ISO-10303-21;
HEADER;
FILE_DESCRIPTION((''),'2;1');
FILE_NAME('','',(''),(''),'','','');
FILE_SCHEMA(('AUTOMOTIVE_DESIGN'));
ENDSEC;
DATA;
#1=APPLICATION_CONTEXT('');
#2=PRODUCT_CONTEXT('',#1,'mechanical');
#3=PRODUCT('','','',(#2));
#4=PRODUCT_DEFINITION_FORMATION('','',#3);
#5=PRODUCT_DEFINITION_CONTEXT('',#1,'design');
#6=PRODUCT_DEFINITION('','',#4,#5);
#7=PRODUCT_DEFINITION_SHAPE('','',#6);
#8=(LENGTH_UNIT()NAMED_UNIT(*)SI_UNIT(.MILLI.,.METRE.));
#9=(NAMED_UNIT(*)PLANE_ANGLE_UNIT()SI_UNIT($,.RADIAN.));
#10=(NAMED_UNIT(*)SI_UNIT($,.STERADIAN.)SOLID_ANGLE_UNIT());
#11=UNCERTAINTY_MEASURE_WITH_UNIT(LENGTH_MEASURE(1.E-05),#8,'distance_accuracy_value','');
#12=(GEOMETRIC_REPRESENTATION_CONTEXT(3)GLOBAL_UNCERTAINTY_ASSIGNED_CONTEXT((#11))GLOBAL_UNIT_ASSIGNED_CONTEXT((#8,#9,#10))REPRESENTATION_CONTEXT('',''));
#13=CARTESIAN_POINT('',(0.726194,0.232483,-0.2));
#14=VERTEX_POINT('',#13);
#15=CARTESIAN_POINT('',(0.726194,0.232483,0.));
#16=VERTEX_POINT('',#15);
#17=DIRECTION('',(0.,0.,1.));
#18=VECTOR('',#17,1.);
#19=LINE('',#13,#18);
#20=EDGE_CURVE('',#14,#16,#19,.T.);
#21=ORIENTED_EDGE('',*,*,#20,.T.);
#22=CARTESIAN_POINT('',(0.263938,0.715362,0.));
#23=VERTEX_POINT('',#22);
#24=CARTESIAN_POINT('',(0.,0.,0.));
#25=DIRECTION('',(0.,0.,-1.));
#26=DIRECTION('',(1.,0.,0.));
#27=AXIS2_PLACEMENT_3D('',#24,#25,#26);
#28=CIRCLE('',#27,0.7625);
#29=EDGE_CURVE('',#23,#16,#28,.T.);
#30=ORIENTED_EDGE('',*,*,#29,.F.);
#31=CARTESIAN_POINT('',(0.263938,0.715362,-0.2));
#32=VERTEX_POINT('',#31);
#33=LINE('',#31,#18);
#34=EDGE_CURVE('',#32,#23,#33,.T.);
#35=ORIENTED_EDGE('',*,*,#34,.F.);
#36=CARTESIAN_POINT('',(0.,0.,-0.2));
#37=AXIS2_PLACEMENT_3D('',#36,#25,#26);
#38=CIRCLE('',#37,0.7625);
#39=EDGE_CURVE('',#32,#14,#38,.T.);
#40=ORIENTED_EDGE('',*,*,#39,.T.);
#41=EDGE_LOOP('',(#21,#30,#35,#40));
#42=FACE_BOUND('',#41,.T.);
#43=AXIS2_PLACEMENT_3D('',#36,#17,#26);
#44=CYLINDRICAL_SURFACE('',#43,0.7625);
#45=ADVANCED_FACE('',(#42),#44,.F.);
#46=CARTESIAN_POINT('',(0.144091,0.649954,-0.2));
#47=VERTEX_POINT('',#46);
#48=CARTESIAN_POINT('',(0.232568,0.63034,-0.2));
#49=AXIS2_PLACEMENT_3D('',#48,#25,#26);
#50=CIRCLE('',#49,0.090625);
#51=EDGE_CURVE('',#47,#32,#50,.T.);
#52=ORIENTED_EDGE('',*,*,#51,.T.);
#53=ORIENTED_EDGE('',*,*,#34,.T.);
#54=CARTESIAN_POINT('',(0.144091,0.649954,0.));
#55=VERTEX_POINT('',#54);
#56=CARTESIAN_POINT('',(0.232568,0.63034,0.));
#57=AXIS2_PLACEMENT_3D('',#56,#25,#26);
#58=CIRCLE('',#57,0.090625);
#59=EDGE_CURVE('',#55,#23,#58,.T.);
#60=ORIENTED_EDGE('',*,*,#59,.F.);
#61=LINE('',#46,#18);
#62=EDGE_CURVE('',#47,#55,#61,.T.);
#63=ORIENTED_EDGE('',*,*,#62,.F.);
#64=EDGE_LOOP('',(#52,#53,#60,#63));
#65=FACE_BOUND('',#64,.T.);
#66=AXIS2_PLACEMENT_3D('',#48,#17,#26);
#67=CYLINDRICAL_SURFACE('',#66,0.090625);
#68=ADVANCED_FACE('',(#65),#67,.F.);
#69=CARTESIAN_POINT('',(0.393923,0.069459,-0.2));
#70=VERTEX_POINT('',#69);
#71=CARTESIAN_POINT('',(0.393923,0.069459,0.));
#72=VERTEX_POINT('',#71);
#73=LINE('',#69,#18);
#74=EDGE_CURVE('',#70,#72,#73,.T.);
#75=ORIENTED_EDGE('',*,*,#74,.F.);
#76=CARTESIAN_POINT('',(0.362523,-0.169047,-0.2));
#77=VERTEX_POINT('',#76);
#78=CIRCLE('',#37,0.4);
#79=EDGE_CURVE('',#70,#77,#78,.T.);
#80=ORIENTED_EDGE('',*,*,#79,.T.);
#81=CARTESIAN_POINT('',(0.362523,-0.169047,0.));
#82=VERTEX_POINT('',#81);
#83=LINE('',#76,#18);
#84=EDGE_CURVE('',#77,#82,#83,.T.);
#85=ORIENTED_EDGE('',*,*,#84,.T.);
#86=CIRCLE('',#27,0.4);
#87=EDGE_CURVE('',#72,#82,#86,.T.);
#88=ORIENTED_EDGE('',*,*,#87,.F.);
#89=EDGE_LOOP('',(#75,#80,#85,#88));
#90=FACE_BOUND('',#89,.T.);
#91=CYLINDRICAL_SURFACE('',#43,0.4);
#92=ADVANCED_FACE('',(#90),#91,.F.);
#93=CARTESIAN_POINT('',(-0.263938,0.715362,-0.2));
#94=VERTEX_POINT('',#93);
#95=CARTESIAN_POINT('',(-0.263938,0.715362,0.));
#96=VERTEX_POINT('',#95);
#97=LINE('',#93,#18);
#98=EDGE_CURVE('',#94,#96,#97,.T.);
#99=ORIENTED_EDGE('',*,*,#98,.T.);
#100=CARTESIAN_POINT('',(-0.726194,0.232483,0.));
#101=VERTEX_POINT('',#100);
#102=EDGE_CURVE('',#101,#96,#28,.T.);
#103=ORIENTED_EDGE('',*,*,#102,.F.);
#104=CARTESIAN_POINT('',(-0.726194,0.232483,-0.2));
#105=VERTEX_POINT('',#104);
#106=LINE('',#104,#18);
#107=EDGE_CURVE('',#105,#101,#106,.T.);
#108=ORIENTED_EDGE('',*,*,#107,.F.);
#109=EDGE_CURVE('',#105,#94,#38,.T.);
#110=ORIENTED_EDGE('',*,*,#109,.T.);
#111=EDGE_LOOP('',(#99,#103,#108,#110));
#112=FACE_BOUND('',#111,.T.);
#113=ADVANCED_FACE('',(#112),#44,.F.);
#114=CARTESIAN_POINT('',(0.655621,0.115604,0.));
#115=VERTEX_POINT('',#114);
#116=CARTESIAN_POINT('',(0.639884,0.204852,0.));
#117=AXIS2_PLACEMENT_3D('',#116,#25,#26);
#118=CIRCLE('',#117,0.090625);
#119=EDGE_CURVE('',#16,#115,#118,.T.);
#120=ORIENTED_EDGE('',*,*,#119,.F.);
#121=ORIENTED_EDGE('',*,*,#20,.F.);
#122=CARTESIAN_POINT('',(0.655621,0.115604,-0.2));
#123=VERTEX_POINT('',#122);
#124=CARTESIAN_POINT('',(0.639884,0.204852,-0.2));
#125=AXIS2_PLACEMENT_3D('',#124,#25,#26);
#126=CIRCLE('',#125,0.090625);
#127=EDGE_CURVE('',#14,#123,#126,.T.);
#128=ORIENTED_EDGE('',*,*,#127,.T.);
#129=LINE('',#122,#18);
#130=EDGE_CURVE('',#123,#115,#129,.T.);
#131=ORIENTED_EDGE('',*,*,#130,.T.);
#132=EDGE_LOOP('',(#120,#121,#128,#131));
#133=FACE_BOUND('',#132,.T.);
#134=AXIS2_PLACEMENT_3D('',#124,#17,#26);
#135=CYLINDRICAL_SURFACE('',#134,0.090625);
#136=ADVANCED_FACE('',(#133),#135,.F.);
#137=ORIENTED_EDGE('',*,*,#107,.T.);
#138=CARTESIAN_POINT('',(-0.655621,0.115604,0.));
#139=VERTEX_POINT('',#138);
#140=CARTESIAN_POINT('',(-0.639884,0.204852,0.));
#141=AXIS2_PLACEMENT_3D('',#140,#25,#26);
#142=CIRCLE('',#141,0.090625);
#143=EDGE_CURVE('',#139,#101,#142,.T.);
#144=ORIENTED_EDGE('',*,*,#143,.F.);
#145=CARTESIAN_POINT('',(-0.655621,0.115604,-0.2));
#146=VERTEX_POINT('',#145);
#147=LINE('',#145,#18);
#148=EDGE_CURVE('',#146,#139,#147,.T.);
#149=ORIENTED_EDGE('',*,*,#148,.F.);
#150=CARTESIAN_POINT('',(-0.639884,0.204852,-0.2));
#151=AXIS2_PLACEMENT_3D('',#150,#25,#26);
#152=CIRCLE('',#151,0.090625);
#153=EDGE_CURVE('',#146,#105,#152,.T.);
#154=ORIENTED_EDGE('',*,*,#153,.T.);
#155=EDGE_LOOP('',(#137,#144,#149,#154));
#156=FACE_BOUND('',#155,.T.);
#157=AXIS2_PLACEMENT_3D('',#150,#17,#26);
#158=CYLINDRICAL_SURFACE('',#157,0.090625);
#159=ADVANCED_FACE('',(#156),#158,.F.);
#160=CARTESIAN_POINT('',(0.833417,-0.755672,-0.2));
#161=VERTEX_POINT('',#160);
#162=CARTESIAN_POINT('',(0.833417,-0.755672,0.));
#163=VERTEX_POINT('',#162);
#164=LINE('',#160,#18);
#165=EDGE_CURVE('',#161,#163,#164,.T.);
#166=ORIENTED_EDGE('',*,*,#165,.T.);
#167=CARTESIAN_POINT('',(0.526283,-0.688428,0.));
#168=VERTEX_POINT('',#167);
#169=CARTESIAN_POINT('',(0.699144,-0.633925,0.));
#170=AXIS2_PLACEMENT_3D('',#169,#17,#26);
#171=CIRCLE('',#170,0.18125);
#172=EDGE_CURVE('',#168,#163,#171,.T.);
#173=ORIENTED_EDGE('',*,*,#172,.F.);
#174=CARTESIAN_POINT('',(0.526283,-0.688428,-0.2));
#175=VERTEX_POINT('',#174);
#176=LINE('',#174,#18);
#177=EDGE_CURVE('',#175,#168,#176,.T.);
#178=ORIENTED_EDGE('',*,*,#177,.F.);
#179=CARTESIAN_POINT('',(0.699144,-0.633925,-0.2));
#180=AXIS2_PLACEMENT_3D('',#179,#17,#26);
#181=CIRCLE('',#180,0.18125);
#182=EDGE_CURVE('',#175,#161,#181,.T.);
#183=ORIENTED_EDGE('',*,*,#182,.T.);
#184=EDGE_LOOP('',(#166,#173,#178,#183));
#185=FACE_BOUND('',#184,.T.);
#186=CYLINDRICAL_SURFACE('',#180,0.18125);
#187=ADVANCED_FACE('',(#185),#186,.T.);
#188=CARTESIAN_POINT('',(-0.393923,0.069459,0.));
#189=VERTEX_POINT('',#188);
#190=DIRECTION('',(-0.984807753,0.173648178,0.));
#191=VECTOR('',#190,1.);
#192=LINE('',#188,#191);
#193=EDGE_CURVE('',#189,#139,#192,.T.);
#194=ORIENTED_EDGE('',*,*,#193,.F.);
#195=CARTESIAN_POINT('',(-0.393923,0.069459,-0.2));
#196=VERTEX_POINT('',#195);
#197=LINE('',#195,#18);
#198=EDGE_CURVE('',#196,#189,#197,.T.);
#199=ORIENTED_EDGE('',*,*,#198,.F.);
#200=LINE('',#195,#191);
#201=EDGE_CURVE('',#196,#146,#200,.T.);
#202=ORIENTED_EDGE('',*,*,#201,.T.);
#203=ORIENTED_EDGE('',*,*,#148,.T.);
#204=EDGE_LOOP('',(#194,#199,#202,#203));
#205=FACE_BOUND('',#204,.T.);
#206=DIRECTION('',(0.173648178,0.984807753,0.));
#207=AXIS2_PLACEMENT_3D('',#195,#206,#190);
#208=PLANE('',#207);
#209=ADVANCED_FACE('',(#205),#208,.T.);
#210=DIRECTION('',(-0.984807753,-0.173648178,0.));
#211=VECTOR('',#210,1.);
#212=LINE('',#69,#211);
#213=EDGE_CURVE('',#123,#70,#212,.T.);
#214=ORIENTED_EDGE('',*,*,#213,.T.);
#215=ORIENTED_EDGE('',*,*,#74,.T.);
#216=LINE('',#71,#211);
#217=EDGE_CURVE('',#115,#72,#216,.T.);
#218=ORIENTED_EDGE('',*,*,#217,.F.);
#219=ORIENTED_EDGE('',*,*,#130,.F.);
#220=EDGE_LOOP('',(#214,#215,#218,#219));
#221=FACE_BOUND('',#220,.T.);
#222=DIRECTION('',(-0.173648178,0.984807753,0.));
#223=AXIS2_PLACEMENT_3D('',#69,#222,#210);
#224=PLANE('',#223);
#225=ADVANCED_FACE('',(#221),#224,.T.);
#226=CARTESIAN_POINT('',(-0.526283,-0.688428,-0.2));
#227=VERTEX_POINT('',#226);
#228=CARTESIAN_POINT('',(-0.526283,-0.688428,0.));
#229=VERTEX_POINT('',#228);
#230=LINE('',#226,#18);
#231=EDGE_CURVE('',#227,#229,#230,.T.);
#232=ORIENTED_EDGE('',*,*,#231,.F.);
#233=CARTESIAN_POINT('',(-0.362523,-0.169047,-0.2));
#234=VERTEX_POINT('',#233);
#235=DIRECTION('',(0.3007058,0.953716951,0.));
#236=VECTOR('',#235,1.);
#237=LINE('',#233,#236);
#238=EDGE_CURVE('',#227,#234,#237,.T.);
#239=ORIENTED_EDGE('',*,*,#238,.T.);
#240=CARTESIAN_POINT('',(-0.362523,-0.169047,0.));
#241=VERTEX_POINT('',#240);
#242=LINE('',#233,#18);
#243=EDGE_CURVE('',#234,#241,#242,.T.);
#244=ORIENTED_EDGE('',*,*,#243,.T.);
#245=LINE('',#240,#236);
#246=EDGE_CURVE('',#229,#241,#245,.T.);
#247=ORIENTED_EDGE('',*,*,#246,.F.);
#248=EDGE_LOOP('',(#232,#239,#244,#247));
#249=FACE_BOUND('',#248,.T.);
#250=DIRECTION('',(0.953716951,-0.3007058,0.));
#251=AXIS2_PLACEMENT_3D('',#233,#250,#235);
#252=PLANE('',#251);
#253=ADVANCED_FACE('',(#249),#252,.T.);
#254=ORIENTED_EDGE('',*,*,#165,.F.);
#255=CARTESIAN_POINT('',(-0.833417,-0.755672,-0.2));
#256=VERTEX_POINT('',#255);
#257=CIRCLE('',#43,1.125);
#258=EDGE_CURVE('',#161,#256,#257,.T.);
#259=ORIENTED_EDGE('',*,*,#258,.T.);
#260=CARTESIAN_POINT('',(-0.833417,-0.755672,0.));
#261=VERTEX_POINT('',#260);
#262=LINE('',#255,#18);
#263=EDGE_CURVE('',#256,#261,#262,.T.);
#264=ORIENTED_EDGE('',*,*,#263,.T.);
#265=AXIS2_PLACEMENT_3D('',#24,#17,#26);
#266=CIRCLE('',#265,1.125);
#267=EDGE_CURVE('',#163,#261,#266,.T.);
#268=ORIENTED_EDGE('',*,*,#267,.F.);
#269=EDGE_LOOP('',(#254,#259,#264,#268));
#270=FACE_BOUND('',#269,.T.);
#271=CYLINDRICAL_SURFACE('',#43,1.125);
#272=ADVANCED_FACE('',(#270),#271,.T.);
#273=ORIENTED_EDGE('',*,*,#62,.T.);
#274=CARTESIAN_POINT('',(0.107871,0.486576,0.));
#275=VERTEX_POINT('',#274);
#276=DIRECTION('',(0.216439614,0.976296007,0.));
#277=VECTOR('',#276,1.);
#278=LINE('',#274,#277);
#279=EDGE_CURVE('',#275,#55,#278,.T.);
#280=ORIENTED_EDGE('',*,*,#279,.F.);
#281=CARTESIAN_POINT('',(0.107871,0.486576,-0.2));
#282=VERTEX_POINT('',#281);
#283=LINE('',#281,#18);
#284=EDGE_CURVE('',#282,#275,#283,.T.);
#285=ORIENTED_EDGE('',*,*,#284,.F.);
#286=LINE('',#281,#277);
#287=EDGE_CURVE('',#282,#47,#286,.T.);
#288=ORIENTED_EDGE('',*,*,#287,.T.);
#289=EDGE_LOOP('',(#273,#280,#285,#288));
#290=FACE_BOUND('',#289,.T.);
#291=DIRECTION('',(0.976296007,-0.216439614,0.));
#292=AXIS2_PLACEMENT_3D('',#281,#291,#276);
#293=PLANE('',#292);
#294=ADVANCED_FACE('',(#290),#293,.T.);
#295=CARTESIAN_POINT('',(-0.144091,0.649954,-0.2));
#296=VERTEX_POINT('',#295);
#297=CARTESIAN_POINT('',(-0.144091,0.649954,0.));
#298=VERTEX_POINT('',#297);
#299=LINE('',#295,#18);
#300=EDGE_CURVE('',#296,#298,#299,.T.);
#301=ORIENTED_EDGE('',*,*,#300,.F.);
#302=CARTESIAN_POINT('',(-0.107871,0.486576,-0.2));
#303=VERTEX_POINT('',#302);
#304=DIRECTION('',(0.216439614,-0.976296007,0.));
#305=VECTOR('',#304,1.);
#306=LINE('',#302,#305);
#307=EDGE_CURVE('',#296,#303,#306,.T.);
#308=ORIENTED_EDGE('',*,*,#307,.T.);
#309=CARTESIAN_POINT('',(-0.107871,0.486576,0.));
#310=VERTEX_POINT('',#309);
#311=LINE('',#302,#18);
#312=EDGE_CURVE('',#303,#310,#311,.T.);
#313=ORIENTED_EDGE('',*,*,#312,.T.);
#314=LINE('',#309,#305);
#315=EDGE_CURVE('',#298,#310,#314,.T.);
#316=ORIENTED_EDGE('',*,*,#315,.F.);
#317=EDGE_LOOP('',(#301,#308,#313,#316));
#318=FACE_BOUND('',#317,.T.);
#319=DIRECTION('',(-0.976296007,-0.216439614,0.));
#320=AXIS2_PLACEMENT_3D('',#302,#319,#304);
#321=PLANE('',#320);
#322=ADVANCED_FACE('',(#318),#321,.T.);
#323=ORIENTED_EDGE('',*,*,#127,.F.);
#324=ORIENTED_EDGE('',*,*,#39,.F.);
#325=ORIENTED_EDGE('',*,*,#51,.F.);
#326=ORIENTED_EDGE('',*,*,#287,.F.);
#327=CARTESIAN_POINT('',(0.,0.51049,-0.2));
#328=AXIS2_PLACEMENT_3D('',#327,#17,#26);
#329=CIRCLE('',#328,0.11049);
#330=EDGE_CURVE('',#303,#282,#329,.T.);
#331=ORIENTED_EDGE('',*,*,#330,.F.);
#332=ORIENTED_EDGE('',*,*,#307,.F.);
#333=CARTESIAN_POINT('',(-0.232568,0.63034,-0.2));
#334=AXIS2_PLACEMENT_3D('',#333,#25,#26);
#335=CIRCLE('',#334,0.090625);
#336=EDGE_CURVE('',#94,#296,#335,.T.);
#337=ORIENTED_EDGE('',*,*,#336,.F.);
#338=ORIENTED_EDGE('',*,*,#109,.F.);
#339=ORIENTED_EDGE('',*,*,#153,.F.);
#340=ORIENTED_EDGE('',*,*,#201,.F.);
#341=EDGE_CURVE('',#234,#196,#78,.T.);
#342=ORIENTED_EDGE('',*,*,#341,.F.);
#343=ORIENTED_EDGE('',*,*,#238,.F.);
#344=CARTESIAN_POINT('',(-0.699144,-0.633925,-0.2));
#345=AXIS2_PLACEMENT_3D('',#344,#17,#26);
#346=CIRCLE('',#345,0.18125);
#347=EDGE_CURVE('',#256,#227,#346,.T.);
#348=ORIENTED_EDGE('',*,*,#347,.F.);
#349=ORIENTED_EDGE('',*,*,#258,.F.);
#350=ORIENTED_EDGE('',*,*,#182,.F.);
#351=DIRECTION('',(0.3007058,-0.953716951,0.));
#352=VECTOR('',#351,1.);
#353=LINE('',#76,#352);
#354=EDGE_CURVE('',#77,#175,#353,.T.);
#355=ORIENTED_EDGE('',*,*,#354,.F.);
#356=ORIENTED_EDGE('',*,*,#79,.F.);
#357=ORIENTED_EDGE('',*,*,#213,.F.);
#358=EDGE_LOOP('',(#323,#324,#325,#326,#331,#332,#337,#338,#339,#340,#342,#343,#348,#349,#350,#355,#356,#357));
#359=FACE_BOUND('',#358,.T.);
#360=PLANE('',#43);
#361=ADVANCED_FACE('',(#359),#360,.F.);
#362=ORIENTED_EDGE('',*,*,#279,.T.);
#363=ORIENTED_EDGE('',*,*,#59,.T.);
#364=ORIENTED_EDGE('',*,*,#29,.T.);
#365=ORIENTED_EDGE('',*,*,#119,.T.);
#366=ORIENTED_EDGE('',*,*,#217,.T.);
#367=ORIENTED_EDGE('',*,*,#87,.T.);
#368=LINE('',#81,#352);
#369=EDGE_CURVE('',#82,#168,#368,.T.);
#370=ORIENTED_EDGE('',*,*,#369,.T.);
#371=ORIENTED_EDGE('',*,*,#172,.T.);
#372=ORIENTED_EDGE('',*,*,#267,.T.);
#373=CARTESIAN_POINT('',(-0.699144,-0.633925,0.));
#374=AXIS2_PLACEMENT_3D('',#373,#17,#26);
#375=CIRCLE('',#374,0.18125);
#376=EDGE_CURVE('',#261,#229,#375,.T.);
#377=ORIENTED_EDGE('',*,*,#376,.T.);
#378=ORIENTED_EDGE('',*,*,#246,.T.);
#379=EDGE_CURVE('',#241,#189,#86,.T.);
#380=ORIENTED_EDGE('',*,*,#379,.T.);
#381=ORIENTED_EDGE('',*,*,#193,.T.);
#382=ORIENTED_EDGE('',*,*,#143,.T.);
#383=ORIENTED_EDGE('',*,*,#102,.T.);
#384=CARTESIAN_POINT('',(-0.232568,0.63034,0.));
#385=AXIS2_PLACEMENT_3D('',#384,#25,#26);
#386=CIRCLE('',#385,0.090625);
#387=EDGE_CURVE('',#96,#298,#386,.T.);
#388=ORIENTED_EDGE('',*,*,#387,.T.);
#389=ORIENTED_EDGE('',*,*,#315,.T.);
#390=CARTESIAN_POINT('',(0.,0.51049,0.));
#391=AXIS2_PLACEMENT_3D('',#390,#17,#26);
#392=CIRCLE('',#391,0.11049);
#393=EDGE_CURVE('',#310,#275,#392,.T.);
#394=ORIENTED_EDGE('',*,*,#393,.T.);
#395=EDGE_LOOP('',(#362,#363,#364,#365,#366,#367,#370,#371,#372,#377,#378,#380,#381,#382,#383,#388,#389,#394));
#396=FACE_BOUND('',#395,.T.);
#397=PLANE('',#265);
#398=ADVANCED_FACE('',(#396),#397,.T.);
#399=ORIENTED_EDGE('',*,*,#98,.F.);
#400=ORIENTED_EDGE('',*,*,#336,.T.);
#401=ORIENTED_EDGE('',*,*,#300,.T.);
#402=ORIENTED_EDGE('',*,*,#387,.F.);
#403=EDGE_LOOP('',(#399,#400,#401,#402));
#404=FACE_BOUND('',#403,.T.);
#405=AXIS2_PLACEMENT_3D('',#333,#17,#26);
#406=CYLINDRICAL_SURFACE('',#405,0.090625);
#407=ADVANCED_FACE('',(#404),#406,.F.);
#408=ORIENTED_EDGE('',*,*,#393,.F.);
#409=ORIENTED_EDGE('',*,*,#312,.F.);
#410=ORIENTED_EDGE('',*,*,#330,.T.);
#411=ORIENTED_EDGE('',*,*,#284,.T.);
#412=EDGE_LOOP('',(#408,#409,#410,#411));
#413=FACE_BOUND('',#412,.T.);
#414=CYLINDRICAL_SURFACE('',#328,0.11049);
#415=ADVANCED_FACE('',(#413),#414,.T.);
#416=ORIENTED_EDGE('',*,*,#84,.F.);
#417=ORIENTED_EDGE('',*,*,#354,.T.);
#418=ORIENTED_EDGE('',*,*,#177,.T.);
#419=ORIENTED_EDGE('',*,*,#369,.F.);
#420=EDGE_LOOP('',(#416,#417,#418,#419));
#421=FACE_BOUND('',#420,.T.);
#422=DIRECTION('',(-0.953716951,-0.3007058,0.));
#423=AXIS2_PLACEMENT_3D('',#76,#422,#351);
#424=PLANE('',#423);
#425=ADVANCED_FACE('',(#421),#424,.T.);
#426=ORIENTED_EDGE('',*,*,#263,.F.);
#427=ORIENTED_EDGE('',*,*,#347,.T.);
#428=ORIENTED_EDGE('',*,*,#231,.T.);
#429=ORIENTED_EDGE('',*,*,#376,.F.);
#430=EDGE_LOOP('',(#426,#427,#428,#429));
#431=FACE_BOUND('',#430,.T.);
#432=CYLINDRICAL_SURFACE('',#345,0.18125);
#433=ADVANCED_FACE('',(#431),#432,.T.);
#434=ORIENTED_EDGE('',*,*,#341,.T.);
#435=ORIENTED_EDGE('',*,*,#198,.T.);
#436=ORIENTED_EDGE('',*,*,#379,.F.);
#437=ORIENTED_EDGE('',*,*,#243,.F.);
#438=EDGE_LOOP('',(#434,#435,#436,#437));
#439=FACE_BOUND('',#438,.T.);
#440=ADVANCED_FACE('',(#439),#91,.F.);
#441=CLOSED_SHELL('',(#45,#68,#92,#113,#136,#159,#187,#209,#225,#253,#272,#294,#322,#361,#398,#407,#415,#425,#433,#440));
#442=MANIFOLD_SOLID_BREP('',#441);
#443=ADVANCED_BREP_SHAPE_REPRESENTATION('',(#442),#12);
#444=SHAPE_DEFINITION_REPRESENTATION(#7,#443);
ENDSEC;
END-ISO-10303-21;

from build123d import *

# Parameters (mm, degrees)
BODY_DEPTH = 0.2


with BuildPart() as part:
    # BodySke → Body (new body)
    with BuildSketch(Plane.XY):
        with BuildLine():
            Line((0.393923101, 0.069459271), (0.655621015, 0.115603674))
            ThreePointArc((0.655621015, 0.115603674), (0.717463696, 0.158008473), (0.726194104, 0.23248306))
            ThreePointArc((0.726194104, 0.23248306), (0.550802521, 0.527278705), (0.26393793, 0.71536216))
            ThreePointArc((0.26393793, 0.71536216), (0.189153411, 0.709888597), (0.144091432, 0.649954448))
            Line((0.144091432, 0.649954448), (0.107871268, 0.486575846))
            ThreePointArc((0.107871268, 0.486575846), (0, 0.4), (-0.107871268, 0.486575846))
            Line((-0.107871268, 0.486575846), (-0.144091432, 0.649954448))
            ThreePointArc((-0.144091432, 0.649954448), (-0.189153411, 0.709888597), (-0.26393793, 0.71536216))
            ThreePointArc((-0.26393793, 0.71536216), (-0.550802521, 0.527278705), (-0.726194104, 0.23248306))
            ThreePointArc((-0.726194104, 0.23248306), (-0.717463696, 0.158008473), (-0.655621015, 0.115603674))
            Line((-0.655621015, 0.115603674), (-0.393923101, 0.069459271))
            ThreePointArc((-0.393923101, 0.069459271), (-0.396577945, -0.052210477), (-0.362523115, -0.169047305))
            Line((-0.362523115, -0.169047305), (-0.526283246, -0.688428087))
            ThreePointArc((-0.526283246, -0.688428087), (-0.660379572, -0.810981217), (-0.833417218, -0.755672377))
            ThreePointArc((-0.833417218, -0.755672377), (0, 1.125), (0.833417218, -0.755672377))
            ThreePointArc((0.833417218, -0.755672377), (0.660379572, -0.810981217), (0.526283246, -0.688428087))
            Line((0.526283246, -0.688428087), (0.362523115, -0.169047305))
            ThreePointArc((0.362523115, -0.169047305), (0.396577945, -0.052210477), (0.393923101, 0.069459271))
        make_face()
    extrude(amount=-BODY_DEPTH)


solid = part.part
